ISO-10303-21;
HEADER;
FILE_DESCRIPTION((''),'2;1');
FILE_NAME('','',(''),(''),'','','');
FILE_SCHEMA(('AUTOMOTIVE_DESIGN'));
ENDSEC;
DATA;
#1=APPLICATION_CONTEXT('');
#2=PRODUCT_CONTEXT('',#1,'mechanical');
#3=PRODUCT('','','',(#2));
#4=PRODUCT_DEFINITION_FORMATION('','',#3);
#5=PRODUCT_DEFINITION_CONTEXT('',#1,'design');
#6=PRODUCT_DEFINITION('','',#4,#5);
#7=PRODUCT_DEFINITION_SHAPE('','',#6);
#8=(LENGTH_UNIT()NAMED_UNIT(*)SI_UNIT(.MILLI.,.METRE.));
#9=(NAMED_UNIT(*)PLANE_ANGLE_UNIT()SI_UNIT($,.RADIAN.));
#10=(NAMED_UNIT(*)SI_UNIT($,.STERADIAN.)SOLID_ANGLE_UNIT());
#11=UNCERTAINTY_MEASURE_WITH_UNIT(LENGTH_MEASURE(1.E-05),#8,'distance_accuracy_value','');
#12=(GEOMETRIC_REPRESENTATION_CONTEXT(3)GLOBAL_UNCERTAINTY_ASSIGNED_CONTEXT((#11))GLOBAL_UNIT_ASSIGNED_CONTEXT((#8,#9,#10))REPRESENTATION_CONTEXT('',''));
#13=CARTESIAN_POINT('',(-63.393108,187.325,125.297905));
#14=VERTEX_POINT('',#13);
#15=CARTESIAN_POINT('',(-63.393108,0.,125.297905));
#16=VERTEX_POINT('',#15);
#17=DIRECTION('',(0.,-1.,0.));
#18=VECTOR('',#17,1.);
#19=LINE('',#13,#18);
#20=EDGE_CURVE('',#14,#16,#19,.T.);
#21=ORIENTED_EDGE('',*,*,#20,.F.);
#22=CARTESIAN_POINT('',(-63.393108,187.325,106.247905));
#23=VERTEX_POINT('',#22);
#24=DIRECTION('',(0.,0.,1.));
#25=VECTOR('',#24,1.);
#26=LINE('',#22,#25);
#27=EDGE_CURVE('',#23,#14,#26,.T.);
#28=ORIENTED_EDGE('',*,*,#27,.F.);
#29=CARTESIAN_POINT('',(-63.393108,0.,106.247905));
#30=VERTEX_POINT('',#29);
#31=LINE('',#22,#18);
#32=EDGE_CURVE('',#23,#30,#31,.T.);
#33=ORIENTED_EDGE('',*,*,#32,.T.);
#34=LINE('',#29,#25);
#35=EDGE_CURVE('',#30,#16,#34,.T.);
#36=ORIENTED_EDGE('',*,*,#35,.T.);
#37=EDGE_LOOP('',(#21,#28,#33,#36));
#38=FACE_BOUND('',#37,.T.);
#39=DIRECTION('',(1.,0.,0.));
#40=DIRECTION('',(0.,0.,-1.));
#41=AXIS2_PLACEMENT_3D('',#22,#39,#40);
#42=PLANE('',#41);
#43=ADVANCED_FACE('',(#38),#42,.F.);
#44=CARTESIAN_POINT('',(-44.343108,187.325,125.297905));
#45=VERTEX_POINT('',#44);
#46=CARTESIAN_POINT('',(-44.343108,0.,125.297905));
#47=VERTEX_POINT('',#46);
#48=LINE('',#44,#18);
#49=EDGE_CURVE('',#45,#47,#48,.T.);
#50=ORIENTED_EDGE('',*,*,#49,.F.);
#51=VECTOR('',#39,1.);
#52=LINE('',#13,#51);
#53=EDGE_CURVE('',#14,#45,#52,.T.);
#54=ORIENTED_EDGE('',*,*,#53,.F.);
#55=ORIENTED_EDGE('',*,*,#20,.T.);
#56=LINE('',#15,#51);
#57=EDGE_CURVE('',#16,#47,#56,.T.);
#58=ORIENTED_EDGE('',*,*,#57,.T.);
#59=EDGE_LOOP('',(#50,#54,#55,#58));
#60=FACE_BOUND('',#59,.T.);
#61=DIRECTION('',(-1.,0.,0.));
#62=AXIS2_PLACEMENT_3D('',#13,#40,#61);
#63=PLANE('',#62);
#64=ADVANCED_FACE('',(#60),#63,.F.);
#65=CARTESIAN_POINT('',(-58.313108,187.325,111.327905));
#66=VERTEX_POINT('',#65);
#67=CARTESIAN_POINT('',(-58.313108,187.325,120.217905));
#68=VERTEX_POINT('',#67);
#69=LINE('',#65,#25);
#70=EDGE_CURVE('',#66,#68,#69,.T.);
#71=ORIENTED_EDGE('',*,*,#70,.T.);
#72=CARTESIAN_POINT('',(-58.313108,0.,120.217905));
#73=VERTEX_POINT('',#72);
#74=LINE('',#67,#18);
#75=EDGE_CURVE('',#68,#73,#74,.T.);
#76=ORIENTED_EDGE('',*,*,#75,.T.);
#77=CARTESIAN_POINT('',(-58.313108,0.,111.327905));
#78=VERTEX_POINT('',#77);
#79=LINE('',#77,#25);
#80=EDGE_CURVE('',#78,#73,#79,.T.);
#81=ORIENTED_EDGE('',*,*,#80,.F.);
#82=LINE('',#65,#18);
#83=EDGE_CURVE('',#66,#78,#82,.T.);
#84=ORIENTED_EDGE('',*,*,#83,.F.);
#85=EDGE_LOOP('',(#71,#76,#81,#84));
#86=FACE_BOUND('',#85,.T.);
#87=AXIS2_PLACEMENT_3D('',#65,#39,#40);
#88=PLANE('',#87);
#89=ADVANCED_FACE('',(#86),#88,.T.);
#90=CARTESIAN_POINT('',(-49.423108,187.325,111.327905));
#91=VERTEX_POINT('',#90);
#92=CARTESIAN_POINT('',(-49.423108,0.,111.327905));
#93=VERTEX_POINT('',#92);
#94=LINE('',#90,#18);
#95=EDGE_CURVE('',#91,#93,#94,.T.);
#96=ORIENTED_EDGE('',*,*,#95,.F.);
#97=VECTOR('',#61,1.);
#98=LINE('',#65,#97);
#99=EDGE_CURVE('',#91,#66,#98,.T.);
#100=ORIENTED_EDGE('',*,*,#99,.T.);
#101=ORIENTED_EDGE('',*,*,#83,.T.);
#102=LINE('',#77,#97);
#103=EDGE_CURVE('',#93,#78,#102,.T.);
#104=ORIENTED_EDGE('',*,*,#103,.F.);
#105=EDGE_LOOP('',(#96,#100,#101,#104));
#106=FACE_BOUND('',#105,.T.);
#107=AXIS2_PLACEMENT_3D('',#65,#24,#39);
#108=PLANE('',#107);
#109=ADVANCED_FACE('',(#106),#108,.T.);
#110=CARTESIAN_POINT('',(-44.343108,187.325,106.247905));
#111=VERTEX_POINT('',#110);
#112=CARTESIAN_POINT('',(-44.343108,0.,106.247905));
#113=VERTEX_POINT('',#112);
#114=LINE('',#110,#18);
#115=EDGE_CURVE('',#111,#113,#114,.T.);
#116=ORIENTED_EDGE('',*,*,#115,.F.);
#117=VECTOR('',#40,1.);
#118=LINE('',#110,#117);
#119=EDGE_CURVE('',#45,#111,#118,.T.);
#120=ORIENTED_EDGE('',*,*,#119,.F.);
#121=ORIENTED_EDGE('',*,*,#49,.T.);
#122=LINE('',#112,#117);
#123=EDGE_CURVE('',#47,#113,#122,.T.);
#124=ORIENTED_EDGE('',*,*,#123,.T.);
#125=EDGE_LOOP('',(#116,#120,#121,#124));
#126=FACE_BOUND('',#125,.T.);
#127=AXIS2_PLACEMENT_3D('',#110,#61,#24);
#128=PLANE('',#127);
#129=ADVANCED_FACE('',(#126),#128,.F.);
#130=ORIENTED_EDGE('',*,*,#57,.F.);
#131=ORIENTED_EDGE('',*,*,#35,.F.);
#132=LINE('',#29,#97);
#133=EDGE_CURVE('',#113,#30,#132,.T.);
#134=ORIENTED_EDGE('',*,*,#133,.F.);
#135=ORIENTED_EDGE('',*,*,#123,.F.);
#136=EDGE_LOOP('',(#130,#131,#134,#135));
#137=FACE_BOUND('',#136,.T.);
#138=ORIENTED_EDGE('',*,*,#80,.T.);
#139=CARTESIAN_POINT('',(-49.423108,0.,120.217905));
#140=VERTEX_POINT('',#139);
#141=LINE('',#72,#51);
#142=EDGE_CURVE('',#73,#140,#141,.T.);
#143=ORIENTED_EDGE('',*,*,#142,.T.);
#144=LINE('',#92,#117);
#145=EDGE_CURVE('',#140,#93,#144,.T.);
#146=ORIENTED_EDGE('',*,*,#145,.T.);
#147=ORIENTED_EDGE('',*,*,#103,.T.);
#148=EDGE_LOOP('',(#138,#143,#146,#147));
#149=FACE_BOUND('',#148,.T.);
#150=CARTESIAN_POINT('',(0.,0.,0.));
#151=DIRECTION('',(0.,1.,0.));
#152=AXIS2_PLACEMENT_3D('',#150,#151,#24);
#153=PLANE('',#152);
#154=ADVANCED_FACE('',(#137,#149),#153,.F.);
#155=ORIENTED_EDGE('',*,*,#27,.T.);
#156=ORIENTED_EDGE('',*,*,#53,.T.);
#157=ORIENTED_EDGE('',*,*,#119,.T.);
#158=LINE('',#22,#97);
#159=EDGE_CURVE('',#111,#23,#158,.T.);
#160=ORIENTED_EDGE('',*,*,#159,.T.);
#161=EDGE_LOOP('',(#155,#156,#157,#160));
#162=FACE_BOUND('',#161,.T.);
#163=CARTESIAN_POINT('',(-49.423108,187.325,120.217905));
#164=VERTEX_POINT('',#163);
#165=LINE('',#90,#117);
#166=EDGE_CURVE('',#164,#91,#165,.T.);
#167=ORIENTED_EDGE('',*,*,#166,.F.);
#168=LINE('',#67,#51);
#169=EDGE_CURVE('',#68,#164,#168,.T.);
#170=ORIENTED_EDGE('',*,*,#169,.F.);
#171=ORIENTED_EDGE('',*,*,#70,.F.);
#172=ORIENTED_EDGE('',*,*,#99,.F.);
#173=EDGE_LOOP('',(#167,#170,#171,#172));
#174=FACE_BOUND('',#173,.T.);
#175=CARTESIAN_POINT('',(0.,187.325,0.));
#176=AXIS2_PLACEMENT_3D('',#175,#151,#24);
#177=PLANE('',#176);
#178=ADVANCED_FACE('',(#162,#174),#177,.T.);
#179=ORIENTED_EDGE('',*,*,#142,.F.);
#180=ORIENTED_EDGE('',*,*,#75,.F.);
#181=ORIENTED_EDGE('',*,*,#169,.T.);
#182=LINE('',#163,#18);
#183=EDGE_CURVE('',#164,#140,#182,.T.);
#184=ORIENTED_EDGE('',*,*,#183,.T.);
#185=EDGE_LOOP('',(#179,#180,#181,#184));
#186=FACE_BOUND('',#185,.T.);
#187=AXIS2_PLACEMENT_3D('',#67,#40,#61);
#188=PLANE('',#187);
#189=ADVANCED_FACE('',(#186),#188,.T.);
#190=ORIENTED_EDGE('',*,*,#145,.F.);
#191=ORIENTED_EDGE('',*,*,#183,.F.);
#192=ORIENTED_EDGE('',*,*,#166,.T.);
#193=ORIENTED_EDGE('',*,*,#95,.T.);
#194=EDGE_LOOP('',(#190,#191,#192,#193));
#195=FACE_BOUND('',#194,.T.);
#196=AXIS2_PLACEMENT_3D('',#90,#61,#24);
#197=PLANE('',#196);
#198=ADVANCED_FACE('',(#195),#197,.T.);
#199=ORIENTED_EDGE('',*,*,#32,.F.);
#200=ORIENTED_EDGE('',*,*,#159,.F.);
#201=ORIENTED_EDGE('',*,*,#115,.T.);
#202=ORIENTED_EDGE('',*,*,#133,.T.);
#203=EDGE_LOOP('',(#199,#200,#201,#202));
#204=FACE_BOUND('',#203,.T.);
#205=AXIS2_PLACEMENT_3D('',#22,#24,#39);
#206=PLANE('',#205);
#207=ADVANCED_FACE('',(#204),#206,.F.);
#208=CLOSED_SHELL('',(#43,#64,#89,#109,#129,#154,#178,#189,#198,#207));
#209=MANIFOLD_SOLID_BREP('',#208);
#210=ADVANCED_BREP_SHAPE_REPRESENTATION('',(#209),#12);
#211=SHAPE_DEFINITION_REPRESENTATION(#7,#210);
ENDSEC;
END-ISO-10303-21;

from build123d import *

# Parameters (mm, degrees)
SKETCH2_W           = 19.05
SKETCH2_H           = 19.05
SKETCH2_W_2         = 8.89
SKETCH2_H_2         = 8.89
BOSS_EXTRUDE1_DEPTH = 187.325


with BuildPart() as part:
    # Sketch2 → Boss-Extrude1 (new body)
    with BuildSketch(Plane(origin=(0, 0, 0), x_dir=(1, 0, 0), z_dir=(0, 1, 0))):
        with Locations((-53.868107849, -115.772904755)):
            Rectangle(SKETCH2_W, SKETCH2_H)
        with Locations((-53.868107849, -115.772904755)):
            Rectangle(SKETCH2_W_2, SKETCH2_H_2, mode=Mode.SUBTRACT)
    extrude(amount=BOSS_EXTRUDE1_DEPTH)


solid = part.part
